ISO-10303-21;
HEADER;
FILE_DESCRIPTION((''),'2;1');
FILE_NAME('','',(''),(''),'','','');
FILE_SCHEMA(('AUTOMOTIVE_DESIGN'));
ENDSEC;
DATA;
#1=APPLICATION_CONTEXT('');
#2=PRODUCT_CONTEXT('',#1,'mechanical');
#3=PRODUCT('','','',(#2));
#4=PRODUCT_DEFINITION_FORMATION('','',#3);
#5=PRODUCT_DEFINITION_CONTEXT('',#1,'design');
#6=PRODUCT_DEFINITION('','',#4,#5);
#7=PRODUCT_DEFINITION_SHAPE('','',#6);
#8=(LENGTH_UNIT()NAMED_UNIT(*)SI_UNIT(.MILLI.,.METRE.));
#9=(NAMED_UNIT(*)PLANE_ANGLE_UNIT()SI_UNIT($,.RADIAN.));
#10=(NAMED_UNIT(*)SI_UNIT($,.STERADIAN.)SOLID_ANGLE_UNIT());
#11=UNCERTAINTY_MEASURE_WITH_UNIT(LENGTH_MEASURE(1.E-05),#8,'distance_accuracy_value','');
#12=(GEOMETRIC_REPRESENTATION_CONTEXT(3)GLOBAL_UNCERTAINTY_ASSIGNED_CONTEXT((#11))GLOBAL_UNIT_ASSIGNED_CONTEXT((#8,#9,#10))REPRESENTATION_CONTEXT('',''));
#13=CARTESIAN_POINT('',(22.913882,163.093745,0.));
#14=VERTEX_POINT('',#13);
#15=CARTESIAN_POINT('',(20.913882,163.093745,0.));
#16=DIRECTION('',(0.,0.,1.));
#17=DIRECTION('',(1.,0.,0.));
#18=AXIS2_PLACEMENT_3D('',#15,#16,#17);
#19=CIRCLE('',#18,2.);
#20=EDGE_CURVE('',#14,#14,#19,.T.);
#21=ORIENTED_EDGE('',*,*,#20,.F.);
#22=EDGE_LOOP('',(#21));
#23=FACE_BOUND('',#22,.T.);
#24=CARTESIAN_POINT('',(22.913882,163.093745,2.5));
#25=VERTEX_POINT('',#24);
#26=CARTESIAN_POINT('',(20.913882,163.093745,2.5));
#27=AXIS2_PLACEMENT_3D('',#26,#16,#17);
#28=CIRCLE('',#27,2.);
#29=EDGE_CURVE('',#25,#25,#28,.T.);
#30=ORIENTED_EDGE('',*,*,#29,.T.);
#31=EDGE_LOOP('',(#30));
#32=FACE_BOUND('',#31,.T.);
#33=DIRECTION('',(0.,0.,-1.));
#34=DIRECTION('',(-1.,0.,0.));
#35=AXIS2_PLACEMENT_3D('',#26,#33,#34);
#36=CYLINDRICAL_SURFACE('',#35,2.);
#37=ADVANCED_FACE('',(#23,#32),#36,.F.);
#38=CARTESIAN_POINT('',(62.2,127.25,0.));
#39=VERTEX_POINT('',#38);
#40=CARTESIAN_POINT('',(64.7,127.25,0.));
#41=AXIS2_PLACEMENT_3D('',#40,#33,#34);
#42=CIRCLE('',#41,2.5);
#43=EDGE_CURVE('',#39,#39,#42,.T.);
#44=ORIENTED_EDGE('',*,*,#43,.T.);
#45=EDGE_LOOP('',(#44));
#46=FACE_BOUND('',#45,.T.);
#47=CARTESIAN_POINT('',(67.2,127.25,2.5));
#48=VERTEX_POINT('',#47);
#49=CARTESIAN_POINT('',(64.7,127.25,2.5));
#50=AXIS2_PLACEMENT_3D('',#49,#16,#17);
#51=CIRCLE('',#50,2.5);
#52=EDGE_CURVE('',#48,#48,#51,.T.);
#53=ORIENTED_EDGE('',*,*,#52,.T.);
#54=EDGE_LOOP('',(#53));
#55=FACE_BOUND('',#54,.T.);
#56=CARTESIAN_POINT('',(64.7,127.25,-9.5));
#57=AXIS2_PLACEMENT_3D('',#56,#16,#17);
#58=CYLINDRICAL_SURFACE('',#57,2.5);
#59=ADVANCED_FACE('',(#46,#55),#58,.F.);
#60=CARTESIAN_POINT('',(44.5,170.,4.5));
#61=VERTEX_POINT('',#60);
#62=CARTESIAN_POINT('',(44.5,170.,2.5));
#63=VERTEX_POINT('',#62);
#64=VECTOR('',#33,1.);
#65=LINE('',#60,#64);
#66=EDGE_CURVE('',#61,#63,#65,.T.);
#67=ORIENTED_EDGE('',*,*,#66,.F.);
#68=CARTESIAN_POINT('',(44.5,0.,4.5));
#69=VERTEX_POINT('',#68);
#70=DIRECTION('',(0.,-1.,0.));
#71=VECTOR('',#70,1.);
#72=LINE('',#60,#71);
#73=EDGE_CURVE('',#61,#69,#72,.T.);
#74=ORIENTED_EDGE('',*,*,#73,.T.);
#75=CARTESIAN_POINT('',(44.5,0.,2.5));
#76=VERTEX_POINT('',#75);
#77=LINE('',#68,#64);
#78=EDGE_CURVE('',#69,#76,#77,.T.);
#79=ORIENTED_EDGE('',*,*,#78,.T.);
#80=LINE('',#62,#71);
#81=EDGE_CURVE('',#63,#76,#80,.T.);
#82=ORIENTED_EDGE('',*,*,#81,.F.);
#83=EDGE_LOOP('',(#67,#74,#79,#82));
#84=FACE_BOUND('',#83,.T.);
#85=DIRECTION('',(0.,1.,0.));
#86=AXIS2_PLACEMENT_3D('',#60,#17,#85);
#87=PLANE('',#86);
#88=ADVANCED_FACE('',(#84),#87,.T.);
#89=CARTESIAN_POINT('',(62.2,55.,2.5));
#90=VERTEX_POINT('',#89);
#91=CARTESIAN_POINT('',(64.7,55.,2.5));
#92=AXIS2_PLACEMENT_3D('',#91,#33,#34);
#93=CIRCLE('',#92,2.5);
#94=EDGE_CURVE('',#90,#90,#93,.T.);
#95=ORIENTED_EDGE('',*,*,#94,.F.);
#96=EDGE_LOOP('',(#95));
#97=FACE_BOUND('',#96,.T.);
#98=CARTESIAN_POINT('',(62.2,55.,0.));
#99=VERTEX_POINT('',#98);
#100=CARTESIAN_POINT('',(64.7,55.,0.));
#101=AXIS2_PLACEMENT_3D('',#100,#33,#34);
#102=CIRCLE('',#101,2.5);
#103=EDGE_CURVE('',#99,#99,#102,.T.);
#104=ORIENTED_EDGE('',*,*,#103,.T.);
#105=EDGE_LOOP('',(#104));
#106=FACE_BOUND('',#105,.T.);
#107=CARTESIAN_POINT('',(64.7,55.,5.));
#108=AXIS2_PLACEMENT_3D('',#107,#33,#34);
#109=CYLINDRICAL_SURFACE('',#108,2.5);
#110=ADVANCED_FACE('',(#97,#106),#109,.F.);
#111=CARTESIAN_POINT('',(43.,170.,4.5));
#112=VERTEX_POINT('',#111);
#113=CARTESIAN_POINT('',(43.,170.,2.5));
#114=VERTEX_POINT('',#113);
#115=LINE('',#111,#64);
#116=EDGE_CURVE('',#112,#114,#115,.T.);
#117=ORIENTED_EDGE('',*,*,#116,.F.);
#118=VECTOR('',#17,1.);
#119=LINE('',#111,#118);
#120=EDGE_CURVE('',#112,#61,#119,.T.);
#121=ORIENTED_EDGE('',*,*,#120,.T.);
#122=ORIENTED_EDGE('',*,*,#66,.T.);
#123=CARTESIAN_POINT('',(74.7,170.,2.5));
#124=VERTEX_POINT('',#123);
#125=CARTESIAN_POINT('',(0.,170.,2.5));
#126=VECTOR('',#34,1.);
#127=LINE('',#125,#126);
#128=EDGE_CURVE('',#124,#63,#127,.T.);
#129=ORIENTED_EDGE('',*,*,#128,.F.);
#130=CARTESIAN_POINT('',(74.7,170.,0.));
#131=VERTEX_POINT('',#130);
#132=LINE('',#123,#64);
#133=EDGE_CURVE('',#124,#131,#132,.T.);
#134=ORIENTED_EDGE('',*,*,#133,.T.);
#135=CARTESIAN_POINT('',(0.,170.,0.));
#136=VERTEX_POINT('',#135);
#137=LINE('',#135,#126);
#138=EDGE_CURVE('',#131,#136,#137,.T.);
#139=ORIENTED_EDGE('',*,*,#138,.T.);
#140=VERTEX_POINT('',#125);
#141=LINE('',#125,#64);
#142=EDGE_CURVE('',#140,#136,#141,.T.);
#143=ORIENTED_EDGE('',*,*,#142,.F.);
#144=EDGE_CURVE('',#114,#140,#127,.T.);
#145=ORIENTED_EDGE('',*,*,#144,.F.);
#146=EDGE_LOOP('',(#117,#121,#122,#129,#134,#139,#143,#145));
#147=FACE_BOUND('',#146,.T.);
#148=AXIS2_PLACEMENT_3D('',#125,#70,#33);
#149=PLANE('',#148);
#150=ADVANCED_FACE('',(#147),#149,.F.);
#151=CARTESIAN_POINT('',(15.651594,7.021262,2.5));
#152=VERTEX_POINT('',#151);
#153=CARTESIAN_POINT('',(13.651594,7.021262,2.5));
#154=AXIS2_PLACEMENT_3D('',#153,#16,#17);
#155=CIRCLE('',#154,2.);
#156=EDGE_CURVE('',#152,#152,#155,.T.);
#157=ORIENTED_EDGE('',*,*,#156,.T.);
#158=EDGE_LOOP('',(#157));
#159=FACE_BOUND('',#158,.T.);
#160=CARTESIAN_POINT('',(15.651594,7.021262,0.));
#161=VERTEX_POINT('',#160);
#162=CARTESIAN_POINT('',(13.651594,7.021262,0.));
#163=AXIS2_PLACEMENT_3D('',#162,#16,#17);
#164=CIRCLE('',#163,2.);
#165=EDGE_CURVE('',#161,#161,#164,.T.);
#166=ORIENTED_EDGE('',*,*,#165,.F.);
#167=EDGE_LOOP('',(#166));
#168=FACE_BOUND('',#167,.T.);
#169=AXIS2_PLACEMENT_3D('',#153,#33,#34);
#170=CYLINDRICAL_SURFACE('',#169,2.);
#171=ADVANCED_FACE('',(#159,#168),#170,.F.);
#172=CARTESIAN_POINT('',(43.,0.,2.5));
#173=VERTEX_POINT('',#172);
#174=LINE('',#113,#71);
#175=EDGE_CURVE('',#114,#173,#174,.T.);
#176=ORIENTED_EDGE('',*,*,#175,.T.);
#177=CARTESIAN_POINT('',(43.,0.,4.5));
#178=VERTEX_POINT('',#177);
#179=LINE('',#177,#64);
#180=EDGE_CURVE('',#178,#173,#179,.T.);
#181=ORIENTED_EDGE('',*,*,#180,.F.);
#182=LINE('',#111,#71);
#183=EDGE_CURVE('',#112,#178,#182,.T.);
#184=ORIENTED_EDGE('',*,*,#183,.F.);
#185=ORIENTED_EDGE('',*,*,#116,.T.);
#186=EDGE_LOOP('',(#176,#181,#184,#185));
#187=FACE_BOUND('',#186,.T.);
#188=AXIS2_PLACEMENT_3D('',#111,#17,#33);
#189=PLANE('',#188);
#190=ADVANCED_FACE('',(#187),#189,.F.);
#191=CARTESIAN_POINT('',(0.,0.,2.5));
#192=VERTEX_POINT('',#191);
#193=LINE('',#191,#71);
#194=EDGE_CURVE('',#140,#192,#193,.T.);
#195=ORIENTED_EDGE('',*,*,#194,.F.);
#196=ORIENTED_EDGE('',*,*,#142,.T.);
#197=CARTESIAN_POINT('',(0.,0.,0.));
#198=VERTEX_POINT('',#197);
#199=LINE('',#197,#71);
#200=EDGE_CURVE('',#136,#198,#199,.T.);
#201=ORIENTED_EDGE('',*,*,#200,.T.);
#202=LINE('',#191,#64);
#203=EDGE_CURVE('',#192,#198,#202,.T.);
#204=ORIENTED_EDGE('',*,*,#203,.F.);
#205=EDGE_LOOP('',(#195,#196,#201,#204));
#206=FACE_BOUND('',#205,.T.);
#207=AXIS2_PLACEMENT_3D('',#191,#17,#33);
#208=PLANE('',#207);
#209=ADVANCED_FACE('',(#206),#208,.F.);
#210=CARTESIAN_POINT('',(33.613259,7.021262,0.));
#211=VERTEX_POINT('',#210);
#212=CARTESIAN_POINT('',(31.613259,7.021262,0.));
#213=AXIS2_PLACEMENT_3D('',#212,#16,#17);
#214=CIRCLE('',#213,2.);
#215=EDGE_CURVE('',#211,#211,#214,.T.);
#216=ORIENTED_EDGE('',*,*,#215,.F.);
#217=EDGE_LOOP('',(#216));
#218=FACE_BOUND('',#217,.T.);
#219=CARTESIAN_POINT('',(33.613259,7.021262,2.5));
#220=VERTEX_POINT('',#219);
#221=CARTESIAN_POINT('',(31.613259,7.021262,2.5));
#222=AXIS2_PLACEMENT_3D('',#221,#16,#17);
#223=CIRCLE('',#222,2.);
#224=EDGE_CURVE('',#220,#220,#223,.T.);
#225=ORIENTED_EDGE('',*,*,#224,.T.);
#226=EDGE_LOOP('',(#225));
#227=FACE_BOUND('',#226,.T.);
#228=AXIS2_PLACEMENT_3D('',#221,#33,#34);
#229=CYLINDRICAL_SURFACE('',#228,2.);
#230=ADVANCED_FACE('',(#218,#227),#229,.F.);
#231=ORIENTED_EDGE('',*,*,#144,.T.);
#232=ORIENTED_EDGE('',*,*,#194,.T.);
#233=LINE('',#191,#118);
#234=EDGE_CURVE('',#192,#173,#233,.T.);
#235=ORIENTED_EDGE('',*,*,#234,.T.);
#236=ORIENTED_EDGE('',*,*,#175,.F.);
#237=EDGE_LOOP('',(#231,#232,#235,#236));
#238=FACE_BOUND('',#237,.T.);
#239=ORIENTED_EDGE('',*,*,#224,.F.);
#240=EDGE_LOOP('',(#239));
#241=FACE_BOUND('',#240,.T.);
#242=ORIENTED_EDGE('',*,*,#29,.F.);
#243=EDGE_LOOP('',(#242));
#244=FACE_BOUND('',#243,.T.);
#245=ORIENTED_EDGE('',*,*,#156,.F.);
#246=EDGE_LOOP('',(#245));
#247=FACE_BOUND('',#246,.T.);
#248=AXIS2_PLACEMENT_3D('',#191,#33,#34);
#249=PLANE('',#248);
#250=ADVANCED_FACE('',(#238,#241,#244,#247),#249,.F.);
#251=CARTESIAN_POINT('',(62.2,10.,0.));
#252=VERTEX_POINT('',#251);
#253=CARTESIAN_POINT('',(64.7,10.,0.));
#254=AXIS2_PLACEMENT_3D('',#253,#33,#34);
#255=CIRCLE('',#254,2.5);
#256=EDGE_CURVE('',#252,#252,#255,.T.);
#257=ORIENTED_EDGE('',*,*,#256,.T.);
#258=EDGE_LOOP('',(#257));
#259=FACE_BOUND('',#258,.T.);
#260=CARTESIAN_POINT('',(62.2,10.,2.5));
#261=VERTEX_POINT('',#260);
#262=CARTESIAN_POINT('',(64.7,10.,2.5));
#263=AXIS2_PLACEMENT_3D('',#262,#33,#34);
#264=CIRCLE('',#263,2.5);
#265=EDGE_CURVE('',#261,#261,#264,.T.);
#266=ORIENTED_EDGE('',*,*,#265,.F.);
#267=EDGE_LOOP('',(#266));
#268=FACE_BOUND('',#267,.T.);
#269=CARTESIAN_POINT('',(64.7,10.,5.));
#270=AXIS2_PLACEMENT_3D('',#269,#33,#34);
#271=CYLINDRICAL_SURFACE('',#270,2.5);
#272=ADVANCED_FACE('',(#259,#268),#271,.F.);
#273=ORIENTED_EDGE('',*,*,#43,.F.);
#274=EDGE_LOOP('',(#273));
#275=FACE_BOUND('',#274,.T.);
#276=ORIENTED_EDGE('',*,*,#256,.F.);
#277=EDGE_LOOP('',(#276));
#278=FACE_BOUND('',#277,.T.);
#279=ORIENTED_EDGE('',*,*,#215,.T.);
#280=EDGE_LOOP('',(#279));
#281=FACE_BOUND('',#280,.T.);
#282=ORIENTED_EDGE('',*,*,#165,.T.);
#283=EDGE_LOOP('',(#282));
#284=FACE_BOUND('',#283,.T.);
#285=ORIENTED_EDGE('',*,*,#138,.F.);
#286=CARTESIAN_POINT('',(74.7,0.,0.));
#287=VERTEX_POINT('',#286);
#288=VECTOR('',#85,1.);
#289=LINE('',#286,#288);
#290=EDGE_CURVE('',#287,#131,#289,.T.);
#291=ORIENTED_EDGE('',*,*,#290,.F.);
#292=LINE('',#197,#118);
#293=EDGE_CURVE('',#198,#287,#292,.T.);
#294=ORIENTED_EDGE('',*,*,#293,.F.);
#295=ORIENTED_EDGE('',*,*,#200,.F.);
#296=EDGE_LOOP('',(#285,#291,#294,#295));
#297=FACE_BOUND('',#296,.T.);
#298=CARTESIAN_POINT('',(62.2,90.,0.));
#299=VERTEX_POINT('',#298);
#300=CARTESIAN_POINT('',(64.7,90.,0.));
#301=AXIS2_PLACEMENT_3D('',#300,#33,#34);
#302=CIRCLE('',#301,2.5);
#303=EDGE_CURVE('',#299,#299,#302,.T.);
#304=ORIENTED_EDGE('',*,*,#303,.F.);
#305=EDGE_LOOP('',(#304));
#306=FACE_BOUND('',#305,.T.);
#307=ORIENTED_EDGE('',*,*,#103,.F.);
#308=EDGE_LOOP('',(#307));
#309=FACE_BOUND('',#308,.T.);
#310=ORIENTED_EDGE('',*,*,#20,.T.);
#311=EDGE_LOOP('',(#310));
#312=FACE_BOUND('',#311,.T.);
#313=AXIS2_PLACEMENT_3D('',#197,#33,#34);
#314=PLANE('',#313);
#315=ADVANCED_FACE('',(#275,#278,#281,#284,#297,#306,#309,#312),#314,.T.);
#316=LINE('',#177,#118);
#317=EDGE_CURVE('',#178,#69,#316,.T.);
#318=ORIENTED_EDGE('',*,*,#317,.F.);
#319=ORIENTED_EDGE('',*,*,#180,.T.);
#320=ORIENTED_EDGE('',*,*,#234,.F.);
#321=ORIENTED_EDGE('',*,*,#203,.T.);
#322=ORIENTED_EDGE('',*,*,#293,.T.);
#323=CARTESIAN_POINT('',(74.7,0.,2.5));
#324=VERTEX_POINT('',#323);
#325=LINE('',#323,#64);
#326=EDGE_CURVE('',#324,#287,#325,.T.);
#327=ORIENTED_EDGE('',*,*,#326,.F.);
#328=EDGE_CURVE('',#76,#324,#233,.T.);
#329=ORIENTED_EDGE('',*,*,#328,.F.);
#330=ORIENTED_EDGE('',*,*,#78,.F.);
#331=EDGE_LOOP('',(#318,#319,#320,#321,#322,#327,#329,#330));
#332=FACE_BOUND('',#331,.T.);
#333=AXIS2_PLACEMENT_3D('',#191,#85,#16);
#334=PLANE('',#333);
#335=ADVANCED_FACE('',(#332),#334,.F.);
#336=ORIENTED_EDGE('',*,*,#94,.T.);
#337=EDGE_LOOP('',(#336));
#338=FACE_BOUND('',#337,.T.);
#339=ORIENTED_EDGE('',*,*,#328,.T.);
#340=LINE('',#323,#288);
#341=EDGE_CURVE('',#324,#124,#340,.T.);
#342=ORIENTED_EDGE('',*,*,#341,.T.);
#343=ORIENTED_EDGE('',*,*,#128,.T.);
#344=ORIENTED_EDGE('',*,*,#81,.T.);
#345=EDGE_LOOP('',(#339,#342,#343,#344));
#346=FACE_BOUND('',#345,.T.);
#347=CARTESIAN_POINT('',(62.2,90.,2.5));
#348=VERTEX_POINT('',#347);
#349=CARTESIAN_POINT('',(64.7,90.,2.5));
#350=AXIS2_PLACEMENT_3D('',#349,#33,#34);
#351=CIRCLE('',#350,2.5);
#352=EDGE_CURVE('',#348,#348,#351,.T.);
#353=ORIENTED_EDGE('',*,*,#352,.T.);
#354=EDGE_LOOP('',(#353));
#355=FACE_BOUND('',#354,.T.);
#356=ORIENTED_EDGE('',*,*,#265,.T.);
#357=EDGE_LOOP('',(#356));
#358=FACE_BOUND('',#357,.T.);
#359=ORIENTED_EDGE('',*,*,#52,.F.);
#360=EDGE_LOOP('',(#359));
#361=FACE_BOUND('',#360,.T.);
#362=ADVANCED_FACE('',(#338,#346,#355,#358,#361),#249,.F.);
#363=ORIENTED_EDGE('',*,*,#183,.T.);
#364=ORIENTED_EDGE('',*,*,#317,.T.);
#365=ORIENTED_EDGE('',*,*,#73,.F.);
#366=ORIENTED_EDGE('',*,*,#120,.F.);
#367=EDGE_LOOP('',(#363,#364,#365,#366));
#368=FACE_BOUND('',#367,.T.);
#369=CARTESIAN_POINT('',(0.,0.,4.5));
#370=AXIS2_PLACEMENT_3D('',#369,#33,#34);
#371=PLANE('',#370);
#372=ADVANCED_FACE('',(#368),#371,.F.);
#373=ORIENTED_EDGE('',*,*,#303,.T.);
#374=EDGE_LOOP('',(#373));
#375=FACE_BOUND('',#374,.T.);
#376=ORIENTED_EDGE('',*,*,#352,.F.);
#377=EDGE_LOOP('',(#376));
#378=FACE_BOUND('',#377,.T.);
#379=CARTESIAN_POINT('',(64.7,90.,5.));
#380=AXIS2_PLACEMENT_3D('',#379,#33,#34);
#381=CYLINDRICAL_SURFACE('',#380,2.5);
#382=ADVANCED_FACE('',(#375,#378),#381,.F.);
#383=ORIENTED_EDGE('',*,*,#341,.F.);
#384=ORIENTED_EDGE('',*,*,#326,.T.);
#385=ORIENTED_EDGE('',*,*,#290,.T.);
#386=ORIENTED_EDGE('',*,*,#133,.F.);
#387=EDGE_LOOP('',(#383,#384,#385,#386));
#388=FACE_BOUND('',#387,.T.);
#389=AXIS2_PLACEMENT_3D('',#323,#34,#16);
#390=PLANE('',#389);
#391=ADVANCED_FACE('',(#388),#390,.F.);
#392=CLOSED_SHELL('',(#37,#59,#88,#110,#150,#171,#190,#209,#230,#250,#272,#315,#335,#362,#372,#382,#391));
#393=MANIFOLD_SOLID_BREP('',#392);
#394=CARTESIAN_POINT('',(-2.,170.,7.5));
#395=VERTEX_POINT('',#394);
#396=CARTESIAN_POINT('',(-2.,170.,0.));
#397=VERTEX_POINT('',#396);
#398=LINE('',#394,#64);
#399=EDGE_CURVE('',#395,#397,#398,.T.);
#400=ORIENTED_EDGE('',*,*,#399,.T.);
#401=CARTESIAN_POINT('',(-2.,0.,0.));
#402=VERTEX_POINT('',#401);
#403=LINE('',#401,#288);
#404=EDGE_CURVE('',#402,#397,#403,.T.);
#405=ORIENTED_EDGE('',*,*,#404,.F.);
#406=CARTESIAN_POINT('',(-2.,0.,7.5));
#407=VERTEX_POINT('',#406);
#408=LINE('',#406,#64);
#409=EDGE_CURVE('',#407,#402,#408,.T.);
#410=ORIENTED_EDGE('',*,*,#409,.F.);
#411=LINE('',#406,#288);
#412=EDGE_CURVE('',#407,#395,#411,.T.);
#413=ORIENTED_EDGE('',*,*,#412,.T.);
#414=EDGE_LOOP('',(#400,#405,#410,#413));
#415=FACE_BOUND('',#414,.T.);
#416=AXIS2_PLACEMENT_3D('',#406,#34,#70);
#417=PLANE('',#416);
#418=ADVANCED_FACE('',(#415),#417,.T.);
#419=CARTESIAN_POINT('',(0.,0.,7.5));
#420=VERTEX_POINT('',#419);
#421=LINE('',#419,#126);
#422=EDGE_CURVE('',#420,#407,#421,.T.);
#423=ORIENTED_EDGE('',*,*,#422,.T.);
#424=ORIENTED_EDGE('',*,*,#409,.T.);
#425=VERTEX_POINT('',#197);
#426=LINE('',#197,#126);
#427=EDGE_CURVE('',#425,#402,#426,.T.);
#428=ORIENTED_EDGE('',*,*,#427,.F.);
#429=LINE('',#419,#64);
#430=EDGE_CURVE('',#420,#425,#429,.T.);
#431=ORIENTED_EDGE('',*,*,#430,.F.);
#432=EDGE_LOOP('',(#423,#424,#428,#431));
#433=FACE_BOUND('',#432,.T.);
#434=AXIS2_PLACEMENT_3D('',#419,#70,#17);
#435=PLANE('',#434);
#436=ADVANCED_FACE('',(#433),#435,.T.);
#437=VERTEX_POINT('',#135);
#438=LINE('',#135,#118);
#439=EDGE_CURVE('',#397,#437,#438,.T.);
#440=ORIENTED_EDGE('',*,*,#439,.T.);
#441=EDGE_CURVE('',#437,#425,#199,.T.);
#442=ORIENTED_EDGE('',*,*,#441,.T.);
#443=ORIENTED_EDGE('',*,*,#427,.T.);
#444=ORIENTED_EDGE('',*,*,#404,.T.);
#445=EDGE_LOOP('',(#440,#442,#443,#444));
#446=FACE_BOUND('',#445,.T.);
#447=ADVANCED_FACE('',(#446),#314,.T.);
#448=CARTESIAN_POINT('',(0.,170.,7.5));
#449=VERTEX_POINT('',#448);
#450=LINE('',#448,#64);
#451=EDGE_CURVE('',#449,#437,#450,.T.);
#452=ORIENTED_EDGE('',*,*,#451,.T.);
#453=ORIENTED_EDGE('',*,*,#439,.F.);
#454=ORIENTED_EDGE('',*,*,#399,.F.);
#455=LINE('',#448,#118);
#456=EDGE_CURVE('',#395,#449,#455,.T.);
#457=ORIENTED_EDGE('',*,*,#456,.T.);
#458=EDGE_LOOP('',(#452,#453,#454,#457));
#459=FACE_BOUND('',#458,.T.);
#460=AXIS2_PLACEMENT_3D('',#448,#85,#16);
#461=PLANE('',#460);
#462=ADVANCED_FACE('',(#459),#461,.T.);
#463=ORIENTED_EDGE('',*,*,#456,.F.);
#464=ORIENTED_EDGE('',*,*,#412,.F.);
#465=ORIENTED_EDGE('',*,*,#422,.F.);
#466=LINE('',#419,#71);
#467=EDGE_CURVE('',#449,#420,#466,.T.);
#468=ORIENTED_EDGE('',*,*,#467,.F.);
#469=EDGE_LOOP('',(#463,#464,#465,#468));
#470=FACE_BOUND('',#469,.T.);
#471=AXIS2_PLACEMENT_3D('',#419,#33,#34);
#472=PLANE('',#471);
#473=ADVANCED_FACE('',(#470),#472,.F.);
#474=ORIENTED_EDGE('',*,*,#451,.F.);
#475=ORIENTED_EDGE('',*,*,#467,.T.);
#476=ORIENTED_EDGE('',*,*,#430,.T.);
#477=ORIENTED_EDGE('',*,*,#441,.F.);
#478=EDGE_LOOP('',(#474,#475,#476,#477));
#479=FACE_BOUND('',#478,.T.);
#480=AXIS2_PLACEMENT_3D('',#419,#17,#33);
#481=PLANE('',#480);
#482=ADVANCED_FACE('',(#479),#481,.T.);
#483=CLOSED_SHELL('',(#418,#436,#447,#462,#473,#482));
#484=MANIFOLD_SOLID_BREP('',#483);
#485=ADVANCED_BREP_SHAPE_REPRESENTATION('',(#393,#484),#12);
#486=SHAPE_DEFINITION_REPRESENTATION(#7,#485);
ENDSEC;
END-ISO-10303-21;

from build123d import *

# Parameters (mm, degrees)
SKETCH1_W           = 74.7
SKETCH1_H           = 170
SKETCH1_R           = 2
BOSS_EXTRUDE1_DEPTH = 2.5
BOSS_EXTRUDE2_START = -2.5
SKETCH2_W           = 2
SKETCH2_H           = 170
BOSS_EXTRUDE2_DEPTH = 7.5
SKETCH3_R           = 2.5
CUT_EXTRUDE1_DEPTH  = 5
SKETCH4_W           = 1.5
SKETCH4_H           = 170
BOSS_EXTRUDE3_DEPTH = 2
SKETCH5_R           = 2.5
CUT_EXTRUDE2_DEPTH  = 12


with BuildPart() as part:
    # Sketch1 → Boss-Extrude1 (new body)
    with BuildSketch(Plane.XY):
        with Locations((37.35, 85)):
            Rectangle(SKETCH1_W, SKETCH1_H)
        with Locations((20.913881882, 163.093745052)):
            Circle(SKETCH1_R, mode=Mode.SUBTRACT)
        with Locations((31.61325859, 7.021261507)):
            Circle(SKETCH1_R, mode=Mode.SUBTRACT)
        with Locations((13.651594244, 7.021261507)):
            Circle(SKETCH1_R, mode=Mode.SUBTRACT)
    extrude(amount=BOSS_EXTRUDE1_DEPTH)

    # Sketch3 → Cut-Extrude1 (cut)
    with BuildSketch(Plane(origin=(0, 0, 0), x_dir=(-1, 0, 0), z_dir=(0, 0, -1))):
        with Locations((-64.7, 10)):
            Circle(SKETCH3_R)
        with Locations((-64.7, 55)):
            Circle(SKETCH3_R)
        with Locations((-64.7, 90)):
            Circle(SKETCH3_R)
    extrude(amount=-CUT_EXTRUDE1_DEPTH, mode=Mode.SUBTRACT)

    # Sketch4 → Boss-Extrude3 (add)
    with BuildSketch(Plane.XY.offset(2.5)):
        with Locations((43.75, 85)):
            Rectangle(SKETCH4_W, SKETCH4_H)
    extrude(amount=BOSS_EXTRUDE3_DEPTH)

    # Sketch5 → Cut-Extrude2 (cut)
    with BuildSketch(Plane.XY.offset(2.5)):
        with Locations((64.7, 127.25)):
            Circle(SKETCH5_R)
    extrude(amount=-CUT_EXTRUDE2_DEPTH, mode=Mode.SUBTRACT)


with BuildPart() as body_2:
    # Sketch2 → Boss-Extrude2 (new body)
    with BuildSketch(Plane.XY.offset(2.5).offset(BOSS_EXTRUDE2_START)):
        with Locations((-1, 85)):
            Rectangle(SKETCH2_W, SKETCH2_H)
    extrude(amount=BOSS_EXTRUDE2_DEPTH)


solid = Compound([part.part, body_2.part])
